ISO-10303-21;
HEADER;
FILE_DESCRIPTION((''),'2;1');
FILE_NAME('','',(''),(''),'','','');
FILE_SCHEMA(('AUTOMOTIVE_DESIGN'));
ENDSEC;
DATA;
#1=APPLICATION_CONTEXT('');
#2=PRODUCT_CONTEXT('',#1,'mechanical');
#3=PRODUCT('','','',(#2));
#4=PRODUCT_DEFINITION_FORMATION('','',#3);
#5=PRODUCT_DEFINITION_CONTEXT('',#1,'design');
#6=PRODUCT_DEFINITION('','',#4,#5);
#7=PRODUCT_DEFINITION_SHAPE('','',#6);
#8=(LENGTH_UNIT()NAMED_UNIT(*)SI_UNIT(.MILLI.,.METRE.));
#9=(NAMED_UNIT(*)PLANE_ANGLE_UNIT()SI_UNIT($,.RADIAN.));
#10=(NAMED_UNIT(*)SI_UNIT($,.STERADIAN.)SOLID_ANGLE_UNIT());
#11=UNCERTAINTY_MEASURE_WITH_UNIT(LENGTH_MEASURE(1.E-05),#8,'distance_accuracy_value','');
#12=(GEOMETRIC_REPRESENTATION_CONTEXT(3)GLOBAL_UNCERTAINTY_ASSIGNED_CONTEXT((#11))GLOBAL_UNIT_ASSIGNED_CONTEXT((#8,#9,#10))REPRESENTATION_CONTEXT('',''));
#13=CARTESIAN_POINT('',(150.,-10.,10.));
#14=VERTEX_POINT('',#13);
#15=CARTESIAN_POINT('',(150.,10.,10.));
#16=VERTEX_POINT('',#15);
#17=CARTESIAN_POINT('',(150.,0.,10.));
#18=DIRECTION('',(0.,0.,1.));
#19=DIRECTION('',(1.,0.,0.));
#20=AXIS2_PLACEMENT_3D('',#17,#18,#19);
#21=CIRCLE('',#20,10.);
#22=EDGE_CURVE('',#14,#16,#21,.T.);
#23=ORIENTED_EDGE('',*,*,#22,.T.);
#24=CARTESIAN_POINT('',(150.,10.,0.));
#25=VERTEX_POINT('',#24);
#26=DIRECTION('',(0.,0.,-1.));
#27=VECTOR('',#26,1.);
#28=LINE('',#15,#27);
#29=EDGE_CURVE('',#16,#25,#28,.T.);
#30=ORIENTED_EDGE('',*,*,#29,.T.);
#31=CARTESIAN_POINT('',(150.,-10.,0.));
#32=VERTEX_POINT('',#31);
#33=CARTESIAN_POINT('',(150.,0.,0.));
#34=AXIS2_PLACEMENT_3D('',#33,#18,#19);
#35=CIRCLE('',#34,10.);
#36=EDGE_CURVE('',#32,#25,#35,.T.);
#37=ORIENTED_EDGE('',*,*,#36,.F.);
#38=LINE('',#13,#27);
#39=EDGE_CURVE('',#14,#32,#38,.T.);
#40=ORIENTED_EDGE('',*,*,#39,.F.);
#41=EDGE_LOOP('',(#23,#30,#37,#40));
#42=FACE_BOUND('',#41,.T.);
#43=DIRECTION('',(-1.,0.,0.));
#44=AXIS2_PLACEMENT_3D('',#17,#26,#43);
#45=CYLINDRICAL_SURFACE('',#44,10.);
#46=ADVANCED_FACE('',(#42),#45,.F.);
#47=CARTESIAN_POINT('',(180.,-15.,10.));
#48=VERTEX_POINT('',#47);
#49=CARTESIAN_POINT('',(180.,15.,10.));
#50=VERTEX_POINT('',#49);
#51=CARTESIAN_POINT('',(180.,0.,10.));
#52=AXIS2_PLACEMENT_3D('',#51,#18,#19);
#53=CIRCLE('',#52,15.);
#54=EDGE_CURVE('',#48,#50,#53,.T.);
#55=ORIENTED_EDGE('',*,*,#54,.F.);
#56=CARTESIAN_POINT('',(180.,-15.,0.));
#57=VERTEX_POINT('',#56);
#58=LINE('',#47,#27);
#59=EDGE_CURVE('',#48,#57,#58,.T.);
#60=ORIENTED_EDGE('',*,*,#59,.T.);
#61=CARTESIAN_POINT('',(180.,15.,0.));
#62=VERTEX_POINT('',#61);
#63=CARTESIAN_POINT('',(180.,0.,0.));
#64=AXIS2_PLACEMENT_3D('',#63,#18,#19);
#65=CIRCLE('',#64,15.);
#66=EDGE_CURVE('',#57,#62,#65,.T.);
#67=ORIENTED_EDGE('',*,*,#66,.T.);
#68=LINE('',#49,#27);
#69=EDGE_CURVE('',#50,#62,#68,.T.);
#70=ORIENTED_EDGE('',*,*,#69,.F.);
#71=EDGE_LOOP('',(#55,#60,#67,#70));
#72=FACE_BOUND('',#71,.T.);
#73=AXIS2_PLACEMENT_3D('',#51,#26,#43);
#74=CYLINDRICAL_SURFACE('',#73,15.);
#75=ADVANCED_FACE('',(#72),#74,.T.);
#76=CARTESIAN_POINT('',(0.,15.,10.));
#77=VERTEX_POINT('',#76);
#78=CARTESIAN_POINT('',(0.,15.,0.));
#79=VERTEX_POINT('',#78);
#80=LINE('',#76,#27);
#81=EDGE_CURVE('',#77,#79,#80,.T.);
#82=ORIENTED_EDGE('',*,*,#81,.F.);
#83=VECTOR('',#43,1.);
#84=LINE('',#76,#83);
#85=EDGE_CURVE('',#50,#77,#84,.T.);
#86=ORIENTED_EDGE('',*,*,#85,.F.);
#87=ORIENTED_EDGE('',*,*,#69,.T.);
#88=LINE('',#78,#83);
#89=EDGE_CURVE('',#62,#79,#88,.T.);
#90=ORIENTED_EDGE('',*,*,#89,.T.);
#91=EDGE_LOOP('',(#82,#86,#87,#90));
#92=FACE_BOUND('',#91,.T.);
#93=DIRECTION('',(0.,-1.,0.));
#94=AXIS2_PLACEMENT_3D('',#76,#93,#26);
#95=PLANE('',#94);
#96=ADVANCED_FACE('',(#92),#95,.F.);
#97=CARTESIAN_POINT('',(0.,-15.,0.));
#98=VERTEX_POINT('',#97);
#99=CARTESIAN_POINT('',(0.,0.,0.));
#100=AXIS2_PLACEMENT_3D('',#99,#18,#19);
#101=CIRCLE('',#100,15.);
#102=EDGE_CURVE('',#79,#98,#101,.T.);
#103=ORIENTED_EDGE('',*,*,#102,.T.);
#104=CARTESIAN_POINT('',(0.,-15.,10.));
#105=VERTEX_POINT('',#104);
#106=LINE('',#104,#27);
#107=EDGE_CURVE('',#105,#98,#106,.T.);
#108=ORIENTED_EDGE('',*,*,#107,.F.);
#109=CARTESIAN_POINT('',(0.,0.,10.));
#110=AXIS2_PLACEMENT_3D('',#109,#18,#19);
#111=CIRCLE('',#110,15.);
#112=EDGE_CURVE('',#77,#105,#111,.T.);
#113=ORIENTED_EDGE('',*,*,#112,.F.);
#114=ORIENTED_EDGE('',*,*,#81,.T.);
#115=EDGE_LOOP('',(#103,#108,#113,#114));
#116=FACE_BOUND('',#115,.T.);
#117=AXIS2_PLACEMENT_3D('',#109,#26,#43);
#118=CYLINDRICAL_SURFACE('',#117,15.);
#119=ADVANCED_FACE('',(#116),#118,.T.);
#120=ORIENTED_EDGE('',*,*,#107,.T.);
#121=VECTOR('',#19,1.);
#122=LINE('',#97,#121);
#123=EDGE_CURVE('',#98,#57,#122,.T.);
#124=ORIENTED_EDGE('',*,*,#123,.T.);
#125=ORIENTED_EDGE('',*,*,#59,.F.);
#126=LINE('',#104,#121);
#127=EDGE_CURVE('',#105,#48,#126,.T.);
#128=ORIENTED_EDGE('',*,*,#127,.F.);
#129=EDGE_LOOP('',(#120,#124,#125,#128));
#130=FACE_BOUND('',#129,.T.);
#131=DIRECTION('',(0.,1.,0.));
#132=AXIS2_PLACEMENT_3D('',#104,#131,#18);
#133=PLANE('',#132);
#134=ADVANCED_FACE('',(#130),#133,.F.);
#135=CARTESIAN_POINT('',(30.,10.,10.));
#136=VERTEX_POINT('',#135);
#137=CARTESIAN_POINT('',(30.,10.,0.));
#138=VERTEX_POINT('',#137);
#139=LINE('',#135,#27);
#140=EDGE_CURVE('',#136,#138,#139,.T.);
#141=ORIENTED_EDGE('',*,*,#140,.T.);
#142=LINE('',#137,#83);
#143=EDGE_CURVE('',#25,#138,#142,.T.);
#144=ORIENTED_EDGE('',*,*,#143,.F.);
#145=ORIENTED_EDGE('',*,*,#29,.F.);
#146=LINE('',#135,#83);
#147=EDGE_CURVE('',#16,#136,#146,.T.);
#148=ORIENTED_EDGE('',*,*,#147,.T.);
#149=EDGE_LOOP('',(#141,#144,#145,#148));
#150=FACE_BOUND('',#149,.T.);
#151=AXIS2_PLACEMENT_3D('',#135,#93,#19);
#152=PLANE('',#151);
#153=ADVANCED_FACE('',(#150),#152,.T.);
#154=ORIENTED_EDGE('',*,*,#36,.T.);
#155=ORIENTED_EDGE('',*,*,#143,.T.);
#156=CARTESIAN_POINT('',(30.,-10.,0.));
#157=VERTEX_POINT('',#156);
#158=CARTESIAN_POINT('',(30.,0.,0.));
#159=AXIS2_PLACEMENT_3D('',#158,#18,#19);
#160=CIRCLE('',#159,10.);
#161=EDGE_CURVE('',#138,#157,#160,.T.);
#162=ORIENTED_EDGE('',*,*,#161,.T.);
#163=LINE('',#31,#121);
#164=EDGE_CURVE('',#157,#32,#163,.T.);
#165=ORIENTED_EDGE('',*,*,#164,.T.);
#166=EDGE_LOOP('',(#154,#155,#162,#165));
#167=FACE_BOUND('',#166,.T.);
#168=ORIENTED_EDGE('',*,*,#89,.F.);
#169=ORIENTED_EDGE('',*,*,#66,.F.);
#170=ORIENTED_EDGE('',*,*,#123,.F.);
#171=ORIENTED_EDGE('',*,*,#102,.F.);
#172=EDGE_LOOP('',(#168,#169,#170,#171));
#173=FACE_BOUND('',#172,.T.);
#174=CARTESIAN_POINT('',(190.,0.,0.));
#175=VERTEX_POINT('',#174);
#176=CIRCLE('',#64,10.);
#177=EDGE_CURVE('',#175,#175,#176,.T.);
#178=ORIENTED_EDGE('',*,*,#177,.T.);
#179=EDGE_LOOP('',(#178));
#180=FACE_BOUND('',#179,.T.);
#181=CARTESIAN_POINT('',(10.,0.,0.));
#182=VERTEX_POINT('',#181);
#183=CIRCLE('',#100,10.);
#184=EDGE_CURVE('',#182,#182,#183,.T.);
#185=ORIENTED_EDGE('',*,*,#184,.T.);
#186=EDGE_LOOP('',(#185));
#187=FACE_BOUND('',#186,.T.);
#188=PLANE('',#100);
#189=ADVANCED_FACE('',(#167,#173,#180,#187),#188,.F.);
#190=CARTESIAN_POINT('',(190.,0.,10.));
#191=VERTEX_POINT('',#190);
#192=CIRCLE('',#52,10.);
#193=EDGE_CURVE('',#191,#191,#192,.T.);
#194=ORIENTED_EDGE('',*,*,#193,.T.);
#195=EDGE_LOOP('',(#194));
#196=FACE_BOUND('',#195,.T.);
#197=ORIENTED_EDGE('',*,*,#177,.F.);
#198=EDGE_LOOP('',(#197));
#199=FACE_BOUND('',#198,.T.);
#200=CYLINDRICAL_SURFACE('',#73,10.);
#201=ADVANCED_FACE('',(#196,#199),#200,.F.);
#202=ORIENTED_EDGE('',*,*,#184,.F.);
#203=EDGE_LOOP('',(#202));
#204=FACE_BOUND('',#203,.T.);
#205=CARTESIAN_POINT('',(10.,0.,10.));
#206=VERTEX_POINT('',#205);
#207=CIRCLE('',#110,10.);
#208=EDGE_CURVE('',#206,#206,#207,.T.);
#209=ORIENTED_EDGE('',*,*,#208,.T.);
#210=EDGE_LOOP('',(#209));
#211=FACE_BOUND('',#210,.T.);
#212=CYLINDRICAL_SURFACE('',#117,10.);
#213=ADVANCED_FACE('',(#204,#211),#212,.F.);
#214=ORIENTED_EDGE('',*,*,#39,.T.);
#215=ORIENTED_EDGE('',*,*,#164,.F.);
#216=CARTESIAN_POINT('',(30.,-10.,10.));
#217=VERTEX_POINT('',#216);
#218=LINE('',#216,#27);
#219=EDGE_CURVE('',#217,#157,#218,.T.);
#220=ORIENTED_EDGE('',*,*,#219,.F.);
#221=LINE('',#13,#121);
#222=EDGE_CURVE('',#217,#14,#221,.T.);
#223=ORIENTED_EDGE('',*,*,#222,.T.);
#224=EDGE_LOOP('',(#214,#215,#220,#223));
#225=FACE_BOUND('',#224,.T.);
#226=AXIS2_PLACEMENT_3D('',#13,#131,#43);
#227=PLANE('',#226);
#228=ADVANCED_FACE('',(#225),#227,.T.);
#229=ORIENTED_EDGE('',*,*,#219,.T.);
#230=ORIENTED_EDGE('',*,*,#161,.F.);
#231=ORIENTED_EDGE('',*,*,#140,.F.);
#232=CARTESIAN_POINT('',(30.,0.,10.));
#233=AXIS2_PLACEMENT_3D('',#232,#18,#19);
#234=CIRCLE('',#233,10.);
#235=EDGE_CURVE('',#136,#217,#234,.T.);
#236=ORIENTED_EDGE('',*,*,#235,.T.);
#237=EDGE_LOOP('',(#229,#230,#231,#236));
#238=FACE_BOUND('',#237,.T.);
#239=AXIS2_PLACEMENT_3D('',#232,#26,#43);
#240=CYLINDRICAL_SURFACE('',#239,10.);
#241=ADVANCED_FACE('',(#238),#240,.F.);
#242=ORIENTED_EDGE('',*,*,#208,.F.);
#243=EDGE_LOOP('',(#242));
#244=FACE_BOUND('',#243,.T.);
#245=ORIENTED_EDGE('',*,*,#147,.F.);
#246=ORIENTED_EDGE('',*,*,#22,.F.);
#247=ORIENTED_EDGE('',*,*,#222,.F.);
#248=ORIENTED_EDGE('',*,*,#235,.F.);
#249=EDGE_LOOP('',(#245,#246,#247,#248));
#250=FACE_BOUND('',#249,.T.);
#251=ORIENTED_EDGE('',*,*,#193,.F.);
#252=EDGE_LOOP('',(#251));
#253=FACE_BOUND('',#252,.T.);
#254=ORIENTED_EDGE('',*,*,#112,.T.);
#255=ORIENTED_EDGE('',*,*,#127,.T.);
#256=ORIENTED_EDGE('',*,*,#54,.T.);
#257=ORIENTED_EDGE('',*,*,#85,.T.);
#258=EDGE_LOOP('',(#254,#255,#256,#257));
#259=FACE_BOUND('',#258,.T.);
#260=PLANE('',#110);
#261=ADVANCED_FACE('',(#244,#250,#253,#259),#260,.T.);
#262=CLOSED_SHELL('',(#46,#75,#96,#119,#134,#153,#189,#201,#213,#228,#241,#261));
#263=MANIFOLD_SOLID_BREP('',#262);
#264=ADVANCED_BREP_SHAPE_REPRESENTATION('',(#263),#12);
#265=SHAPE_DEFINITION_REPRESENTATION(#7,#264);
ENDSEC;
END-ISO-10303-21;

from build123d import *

# Parameters (mm, degrees)
SKETCH2_R           = 10
BOSS_EXTRUDE1_DEPTH = 10


with BuildPart() as part:
    # Sketch2 → Boss-Extrude1 (new body)
    with BuildSketch(Plane.XY):
        with BuildLine():
            Line((0, 15), (180, 15))
            ThreePointArc((180, 15), (195, 0), (180, -15))
            Line((180, -15), (0, -15))
            ThreePointArc((0, -15), (-15, 0), (0, 15))
        make_face()
        Circle(SKETCH2_R, mode=Mode.SUBTRACT)
        with Locations((180, 0)):
            Circle(SKETCH2_R, mode=Mode.SUBTRACT)
        with BuildLine():
            Line((30, 10), (150, 10))
            ThreePointArc((150, 10), (160, 0), (150, -10))
            Line((150, -10), (30, -10))
            ThreePointArc((30, -10), (20, 0), (30, 10))
        make_face(mode=Mode.SUBTRACT)
    extrude(amount=BOSS_EXTRUDE1_DEPTH)


solid = part.part
